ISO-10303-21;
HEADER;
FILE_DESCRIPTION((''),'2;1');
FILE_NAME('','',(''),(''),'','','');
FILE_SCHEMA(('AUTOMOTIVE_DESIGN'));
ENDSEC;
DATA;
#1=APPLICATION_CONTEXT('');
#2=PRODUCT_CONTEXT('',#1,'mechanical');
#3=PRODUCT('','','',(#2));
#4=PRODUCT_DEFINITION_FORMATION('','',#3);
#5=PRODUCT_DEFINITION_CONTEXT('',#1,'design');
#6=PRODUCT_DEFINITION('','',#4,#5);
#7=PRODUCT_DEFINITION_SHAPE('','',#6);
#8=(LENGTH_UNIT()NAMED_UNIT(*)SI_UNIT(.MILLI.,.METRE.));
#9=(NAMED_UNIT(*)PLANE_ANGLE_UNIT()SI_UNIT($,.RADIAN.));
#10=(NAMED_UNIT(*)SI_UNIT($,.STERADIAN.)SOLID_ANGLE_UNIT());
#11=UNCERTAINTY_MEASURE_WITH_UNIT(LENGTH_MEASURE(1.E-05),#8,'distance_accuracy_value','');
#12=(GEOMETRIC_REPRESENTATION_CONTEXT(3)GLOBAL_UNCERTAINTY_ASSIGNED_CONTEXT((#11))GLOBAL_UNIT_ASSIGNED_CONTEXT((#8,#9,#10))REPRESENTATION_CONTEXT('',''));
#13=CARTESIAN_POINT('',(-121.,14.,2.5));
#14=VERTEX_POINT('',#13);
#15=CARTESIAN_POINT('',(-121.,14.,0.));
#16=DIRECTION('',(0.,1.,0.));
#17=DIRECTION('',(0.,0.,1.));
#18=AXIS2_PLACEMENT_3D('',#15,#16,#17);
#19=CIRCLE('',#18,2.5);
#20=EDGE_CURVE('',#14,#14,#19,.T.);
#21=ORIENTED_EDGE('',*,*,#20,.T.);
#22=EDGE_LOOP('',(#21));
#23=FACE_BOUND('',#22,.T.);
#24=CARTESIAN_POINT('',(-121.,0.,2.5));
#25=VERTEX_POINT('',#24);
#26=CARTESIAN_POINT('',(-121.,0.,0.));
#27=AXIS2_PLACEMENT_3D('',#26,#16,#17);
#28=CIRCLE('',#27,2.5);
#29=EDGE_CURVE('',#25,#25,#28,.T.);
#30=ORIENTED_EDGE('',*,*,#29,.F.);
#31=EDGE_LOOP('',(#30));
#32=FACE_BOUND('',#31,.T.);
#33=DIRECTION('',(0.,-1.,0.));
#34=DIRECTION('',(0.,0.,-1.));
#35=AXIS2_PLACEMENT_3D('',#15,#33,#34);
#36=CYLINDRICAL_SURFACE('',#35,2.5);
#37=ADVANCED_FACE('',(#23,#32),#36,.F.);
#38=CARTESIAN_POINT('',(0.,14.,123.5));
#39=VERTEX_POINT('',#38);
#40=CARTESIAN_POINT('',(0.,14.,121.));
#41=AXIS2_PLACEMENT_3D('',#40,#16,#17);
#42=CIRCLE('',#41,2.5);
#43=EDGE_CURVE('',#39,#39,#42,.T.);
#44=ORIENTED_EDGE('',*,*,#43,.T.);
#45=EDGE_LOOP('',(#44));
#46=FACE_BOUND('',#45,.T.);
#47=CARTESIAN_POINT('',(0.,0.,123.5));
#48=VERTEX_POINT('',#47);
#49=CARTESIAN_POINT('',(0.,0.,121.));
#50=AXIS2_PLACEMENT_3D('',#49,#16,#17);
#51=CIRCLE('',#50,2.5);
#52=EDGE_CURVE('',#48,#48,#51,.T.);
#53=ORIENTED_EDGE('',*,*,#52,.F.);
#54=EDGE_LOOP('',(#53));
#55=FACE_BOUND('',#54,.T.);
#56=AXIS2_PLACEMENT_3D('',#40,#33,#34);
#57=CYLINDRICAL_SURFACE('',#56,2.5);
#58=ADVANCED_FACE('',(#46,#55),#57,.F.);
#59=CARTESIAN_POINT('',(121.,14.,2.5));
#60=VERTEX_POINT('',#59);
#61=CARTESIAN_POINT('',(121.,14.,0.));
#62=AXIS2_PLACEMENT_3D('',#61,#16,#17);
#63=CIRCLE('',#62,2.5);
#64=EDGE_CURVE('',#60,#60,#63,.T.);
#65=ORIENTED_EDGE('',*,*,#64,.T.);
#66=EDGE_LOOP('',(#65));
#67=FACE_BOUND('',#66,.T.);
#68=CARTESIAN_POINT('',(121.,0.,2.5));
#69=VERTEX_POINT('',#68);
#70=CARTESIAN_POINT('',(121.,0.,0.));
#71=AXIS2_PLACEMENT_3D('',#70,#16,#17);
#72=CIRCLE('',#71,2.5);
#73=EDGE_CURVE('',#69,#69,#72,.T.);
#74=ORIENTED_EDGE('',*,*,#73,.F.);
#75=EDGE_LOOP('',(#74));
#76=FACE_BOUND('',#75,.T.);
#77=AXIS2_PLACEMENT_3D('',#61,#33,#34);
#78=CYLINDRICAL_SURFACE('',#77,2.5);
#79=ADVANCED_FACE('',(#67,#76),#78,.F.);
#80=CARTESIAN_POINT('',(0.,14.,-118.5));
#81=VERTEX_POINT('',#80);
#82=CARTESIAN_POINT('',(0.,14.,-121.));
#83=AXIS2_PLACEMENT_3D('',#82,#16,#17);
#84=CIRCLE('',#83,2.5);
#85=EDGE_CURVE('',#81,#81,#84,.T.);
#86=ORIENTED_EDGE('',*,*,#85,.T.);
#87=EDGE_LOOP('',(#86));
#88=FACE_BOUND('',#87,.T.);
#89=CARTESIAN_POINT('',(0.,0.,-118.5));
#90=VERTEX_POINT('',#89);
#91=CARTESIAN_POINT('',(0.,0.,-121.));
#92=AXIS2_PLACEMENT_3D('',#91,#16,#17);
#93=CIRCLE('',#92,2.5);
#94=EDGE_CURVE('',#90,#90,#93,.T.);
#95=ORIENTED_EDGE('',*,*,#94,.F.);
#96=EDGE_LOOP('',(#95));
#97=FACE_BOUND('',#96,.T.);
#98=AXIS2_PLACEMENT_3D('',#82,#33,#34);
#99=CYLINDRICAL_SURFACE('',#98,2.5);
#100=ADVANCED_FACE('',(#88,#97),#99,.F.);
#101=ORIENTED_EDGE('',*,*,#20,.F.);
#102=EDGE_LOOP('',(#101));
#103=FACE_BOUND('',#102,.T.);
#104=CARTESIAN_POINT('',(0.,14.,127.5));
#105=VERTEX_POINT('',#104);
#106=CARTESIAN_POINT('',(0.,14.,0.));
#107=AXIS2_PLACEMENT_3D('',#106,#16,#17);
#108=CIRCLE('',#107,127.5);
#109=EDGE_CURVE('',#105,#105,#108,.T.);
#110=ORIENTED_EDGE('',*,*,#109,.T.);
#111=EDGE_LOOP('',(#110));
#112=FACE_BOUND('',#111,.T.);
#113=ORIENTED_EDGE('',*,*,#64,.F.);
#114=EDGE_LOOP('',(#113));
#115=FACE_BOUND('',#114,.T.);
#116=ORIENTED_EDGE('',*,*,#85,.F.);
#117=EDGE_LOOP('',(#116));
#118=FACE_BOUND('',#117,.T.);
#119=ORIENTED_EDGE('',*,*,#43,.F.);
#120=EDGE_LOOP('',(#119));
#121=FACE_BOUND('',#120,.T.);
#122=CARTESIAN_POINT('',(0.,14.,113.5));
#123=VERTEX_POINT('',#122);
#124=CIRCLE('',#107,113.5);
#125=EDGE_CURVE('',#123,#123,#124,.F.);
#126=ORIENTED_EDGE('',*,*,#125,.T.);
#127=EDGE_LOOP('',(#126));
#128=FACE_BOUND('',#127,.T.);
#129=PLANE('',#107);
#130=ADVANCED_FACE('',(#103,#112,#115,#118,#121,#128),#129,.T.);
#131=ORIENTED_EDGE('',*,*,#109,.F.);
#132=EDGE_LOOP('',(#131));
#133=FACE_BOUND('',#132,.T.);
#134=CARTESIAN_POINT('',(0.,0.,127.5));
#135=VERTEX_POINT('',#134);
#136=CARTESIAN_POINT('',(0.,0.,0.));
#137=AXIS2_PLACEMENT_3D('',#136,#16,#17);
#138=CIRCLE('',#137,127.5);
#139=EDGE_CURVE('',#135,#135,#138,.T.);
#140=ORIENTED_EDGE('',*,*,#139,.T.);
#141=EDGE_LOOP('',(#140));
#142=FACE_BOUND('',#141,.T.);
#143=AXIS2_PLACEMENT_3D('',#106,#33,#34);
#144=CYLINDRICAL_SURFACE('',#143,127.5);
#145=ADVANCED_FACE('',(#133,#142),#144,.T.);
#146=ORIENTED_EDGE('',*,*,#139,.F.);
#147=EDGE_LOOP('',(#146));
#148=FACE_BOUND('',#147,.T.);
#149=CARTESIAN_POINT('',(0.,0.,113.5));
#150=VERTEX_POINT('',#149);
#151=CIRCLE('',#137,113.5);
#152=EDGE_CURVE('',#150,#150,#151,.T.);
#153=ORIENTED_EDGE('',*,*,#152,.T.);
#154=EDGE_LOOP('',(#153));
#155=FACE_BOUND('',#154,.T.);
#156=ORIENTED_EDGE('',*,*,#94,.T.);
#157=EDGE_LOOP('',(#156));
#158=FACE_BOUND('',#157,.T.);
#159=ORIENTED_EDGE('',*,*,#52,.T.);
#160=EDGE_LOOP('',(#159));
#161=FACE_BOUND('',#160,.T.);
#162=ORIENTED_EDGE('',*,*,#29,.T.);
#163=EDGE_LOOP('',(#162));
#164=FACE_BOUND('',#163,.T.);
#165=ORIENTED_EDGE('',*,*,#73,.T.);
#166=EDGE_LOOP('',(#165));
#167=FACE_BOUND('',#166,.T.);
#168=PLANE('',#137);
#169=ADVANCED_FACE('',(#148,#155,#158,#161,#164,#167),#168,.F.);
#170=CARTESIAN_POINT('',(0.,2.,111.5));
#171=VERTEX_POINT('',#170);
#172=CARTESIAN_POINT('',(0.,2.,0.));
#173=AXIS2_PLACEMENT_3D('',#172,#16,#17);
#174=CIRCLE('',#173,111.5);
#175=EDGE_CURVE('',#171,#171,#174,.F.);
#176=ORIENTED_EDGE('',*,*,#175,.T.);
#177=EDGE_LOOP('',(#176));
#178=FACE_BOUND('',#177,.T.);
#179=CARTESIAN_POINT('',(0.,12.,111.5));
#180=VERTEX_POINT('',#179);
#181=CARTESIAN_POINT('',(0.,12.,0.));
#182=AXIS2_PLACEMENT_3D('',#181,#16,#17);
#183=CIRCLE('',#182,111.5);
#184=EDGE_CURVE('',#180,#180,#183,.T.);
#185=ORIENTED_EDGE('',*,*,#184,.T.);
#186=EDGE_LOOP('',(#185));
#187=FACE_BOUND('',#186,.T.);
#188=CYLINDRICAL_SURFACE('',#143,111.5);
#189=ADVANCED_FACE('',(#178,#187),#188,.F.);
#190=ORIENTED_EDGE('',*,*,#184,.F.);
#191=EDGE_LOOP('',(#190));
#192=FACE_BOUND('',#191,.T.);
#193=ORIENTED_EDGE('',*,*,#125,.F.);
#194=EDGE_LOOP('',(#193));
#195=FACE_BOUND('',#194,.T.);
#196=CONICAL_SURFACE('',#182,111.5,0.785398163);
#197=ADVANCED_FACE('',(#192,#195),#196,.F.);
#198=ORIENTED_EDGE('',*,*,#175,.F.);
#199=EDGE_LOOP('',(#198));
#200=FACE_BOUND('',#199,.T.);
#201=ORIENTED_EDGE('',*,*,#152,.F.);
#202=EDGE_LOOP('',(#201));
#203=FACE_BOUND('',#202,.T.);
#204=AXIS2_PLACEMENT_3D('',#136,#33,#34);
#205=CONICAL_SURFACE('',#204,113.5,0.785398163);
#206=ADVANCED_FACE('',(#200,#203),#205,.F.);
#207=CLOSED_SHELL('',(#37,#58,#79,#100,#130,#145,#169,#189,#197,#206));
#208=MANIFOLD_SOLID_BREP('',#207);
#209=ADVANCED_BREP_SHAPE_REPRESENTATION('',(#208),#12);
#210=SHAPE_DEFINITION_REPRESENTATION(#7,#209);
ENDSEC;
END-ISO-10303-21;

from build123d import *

# Parameters (mm, degrees)
SKETCH1_R           = 127.5
SKETCH1_R_2         = 111.5
SKETCH1_R_3         = 2.5
BOSS_EXTRUDE1_DEPTH = 14
CHAMFER1_SIZE       = 2


with BuildPart() as part:
    # Sketch1 → Boss-Extrude1 (new body)
    with BuildSketch(Plane(origin=(0, 0, 0), x_dir=(1, 0, 0), z_dir=(0, 1, 0))):
        with Locations(Location((0, 0, 0), (0, 0, 270))):
            Circle(SKETCH1_R)
        with Locations(Location((0, 0, 0), (0, 0, 270))):
            Circle(SKETCH1_R_2, mode=Mode.SUBTRACT)
        with Locations(Location((0, 121, 0), (0, 0, 270))):
            Circle(SKETCH1_R_3, mode=Mode.SUBTRACT)
        with Locations(Location((121, 0, 0), (0, 0, 270))):
            Circle(SKETCH1_R_3, mode=Mode.SUBTRACT)
        with Locations(Location((0, -121, 0), (0, 0, 270))):
            Circle(SKETCH1_R_3, mode=Mode.SUBTRACT)
        with Locations(Location((-121, 0, 0), (0, 0, 270))):
            Circle(SKETCH1_R_3, mode=Mode.SUBTRACT)
    extrude(amount=BOSS_EXTRUDE1_DEPTH)

    # Chamfer1
    chamfer1_edges = [part.edges().sort_by_distance(p)[0] for p in [
        (0, 0, -111.5),
        (0, 14, -111.5),
    ]]
    chamfer(chamfer1_edges, length=CHAMFER1_SIZE)


solid = part.part
